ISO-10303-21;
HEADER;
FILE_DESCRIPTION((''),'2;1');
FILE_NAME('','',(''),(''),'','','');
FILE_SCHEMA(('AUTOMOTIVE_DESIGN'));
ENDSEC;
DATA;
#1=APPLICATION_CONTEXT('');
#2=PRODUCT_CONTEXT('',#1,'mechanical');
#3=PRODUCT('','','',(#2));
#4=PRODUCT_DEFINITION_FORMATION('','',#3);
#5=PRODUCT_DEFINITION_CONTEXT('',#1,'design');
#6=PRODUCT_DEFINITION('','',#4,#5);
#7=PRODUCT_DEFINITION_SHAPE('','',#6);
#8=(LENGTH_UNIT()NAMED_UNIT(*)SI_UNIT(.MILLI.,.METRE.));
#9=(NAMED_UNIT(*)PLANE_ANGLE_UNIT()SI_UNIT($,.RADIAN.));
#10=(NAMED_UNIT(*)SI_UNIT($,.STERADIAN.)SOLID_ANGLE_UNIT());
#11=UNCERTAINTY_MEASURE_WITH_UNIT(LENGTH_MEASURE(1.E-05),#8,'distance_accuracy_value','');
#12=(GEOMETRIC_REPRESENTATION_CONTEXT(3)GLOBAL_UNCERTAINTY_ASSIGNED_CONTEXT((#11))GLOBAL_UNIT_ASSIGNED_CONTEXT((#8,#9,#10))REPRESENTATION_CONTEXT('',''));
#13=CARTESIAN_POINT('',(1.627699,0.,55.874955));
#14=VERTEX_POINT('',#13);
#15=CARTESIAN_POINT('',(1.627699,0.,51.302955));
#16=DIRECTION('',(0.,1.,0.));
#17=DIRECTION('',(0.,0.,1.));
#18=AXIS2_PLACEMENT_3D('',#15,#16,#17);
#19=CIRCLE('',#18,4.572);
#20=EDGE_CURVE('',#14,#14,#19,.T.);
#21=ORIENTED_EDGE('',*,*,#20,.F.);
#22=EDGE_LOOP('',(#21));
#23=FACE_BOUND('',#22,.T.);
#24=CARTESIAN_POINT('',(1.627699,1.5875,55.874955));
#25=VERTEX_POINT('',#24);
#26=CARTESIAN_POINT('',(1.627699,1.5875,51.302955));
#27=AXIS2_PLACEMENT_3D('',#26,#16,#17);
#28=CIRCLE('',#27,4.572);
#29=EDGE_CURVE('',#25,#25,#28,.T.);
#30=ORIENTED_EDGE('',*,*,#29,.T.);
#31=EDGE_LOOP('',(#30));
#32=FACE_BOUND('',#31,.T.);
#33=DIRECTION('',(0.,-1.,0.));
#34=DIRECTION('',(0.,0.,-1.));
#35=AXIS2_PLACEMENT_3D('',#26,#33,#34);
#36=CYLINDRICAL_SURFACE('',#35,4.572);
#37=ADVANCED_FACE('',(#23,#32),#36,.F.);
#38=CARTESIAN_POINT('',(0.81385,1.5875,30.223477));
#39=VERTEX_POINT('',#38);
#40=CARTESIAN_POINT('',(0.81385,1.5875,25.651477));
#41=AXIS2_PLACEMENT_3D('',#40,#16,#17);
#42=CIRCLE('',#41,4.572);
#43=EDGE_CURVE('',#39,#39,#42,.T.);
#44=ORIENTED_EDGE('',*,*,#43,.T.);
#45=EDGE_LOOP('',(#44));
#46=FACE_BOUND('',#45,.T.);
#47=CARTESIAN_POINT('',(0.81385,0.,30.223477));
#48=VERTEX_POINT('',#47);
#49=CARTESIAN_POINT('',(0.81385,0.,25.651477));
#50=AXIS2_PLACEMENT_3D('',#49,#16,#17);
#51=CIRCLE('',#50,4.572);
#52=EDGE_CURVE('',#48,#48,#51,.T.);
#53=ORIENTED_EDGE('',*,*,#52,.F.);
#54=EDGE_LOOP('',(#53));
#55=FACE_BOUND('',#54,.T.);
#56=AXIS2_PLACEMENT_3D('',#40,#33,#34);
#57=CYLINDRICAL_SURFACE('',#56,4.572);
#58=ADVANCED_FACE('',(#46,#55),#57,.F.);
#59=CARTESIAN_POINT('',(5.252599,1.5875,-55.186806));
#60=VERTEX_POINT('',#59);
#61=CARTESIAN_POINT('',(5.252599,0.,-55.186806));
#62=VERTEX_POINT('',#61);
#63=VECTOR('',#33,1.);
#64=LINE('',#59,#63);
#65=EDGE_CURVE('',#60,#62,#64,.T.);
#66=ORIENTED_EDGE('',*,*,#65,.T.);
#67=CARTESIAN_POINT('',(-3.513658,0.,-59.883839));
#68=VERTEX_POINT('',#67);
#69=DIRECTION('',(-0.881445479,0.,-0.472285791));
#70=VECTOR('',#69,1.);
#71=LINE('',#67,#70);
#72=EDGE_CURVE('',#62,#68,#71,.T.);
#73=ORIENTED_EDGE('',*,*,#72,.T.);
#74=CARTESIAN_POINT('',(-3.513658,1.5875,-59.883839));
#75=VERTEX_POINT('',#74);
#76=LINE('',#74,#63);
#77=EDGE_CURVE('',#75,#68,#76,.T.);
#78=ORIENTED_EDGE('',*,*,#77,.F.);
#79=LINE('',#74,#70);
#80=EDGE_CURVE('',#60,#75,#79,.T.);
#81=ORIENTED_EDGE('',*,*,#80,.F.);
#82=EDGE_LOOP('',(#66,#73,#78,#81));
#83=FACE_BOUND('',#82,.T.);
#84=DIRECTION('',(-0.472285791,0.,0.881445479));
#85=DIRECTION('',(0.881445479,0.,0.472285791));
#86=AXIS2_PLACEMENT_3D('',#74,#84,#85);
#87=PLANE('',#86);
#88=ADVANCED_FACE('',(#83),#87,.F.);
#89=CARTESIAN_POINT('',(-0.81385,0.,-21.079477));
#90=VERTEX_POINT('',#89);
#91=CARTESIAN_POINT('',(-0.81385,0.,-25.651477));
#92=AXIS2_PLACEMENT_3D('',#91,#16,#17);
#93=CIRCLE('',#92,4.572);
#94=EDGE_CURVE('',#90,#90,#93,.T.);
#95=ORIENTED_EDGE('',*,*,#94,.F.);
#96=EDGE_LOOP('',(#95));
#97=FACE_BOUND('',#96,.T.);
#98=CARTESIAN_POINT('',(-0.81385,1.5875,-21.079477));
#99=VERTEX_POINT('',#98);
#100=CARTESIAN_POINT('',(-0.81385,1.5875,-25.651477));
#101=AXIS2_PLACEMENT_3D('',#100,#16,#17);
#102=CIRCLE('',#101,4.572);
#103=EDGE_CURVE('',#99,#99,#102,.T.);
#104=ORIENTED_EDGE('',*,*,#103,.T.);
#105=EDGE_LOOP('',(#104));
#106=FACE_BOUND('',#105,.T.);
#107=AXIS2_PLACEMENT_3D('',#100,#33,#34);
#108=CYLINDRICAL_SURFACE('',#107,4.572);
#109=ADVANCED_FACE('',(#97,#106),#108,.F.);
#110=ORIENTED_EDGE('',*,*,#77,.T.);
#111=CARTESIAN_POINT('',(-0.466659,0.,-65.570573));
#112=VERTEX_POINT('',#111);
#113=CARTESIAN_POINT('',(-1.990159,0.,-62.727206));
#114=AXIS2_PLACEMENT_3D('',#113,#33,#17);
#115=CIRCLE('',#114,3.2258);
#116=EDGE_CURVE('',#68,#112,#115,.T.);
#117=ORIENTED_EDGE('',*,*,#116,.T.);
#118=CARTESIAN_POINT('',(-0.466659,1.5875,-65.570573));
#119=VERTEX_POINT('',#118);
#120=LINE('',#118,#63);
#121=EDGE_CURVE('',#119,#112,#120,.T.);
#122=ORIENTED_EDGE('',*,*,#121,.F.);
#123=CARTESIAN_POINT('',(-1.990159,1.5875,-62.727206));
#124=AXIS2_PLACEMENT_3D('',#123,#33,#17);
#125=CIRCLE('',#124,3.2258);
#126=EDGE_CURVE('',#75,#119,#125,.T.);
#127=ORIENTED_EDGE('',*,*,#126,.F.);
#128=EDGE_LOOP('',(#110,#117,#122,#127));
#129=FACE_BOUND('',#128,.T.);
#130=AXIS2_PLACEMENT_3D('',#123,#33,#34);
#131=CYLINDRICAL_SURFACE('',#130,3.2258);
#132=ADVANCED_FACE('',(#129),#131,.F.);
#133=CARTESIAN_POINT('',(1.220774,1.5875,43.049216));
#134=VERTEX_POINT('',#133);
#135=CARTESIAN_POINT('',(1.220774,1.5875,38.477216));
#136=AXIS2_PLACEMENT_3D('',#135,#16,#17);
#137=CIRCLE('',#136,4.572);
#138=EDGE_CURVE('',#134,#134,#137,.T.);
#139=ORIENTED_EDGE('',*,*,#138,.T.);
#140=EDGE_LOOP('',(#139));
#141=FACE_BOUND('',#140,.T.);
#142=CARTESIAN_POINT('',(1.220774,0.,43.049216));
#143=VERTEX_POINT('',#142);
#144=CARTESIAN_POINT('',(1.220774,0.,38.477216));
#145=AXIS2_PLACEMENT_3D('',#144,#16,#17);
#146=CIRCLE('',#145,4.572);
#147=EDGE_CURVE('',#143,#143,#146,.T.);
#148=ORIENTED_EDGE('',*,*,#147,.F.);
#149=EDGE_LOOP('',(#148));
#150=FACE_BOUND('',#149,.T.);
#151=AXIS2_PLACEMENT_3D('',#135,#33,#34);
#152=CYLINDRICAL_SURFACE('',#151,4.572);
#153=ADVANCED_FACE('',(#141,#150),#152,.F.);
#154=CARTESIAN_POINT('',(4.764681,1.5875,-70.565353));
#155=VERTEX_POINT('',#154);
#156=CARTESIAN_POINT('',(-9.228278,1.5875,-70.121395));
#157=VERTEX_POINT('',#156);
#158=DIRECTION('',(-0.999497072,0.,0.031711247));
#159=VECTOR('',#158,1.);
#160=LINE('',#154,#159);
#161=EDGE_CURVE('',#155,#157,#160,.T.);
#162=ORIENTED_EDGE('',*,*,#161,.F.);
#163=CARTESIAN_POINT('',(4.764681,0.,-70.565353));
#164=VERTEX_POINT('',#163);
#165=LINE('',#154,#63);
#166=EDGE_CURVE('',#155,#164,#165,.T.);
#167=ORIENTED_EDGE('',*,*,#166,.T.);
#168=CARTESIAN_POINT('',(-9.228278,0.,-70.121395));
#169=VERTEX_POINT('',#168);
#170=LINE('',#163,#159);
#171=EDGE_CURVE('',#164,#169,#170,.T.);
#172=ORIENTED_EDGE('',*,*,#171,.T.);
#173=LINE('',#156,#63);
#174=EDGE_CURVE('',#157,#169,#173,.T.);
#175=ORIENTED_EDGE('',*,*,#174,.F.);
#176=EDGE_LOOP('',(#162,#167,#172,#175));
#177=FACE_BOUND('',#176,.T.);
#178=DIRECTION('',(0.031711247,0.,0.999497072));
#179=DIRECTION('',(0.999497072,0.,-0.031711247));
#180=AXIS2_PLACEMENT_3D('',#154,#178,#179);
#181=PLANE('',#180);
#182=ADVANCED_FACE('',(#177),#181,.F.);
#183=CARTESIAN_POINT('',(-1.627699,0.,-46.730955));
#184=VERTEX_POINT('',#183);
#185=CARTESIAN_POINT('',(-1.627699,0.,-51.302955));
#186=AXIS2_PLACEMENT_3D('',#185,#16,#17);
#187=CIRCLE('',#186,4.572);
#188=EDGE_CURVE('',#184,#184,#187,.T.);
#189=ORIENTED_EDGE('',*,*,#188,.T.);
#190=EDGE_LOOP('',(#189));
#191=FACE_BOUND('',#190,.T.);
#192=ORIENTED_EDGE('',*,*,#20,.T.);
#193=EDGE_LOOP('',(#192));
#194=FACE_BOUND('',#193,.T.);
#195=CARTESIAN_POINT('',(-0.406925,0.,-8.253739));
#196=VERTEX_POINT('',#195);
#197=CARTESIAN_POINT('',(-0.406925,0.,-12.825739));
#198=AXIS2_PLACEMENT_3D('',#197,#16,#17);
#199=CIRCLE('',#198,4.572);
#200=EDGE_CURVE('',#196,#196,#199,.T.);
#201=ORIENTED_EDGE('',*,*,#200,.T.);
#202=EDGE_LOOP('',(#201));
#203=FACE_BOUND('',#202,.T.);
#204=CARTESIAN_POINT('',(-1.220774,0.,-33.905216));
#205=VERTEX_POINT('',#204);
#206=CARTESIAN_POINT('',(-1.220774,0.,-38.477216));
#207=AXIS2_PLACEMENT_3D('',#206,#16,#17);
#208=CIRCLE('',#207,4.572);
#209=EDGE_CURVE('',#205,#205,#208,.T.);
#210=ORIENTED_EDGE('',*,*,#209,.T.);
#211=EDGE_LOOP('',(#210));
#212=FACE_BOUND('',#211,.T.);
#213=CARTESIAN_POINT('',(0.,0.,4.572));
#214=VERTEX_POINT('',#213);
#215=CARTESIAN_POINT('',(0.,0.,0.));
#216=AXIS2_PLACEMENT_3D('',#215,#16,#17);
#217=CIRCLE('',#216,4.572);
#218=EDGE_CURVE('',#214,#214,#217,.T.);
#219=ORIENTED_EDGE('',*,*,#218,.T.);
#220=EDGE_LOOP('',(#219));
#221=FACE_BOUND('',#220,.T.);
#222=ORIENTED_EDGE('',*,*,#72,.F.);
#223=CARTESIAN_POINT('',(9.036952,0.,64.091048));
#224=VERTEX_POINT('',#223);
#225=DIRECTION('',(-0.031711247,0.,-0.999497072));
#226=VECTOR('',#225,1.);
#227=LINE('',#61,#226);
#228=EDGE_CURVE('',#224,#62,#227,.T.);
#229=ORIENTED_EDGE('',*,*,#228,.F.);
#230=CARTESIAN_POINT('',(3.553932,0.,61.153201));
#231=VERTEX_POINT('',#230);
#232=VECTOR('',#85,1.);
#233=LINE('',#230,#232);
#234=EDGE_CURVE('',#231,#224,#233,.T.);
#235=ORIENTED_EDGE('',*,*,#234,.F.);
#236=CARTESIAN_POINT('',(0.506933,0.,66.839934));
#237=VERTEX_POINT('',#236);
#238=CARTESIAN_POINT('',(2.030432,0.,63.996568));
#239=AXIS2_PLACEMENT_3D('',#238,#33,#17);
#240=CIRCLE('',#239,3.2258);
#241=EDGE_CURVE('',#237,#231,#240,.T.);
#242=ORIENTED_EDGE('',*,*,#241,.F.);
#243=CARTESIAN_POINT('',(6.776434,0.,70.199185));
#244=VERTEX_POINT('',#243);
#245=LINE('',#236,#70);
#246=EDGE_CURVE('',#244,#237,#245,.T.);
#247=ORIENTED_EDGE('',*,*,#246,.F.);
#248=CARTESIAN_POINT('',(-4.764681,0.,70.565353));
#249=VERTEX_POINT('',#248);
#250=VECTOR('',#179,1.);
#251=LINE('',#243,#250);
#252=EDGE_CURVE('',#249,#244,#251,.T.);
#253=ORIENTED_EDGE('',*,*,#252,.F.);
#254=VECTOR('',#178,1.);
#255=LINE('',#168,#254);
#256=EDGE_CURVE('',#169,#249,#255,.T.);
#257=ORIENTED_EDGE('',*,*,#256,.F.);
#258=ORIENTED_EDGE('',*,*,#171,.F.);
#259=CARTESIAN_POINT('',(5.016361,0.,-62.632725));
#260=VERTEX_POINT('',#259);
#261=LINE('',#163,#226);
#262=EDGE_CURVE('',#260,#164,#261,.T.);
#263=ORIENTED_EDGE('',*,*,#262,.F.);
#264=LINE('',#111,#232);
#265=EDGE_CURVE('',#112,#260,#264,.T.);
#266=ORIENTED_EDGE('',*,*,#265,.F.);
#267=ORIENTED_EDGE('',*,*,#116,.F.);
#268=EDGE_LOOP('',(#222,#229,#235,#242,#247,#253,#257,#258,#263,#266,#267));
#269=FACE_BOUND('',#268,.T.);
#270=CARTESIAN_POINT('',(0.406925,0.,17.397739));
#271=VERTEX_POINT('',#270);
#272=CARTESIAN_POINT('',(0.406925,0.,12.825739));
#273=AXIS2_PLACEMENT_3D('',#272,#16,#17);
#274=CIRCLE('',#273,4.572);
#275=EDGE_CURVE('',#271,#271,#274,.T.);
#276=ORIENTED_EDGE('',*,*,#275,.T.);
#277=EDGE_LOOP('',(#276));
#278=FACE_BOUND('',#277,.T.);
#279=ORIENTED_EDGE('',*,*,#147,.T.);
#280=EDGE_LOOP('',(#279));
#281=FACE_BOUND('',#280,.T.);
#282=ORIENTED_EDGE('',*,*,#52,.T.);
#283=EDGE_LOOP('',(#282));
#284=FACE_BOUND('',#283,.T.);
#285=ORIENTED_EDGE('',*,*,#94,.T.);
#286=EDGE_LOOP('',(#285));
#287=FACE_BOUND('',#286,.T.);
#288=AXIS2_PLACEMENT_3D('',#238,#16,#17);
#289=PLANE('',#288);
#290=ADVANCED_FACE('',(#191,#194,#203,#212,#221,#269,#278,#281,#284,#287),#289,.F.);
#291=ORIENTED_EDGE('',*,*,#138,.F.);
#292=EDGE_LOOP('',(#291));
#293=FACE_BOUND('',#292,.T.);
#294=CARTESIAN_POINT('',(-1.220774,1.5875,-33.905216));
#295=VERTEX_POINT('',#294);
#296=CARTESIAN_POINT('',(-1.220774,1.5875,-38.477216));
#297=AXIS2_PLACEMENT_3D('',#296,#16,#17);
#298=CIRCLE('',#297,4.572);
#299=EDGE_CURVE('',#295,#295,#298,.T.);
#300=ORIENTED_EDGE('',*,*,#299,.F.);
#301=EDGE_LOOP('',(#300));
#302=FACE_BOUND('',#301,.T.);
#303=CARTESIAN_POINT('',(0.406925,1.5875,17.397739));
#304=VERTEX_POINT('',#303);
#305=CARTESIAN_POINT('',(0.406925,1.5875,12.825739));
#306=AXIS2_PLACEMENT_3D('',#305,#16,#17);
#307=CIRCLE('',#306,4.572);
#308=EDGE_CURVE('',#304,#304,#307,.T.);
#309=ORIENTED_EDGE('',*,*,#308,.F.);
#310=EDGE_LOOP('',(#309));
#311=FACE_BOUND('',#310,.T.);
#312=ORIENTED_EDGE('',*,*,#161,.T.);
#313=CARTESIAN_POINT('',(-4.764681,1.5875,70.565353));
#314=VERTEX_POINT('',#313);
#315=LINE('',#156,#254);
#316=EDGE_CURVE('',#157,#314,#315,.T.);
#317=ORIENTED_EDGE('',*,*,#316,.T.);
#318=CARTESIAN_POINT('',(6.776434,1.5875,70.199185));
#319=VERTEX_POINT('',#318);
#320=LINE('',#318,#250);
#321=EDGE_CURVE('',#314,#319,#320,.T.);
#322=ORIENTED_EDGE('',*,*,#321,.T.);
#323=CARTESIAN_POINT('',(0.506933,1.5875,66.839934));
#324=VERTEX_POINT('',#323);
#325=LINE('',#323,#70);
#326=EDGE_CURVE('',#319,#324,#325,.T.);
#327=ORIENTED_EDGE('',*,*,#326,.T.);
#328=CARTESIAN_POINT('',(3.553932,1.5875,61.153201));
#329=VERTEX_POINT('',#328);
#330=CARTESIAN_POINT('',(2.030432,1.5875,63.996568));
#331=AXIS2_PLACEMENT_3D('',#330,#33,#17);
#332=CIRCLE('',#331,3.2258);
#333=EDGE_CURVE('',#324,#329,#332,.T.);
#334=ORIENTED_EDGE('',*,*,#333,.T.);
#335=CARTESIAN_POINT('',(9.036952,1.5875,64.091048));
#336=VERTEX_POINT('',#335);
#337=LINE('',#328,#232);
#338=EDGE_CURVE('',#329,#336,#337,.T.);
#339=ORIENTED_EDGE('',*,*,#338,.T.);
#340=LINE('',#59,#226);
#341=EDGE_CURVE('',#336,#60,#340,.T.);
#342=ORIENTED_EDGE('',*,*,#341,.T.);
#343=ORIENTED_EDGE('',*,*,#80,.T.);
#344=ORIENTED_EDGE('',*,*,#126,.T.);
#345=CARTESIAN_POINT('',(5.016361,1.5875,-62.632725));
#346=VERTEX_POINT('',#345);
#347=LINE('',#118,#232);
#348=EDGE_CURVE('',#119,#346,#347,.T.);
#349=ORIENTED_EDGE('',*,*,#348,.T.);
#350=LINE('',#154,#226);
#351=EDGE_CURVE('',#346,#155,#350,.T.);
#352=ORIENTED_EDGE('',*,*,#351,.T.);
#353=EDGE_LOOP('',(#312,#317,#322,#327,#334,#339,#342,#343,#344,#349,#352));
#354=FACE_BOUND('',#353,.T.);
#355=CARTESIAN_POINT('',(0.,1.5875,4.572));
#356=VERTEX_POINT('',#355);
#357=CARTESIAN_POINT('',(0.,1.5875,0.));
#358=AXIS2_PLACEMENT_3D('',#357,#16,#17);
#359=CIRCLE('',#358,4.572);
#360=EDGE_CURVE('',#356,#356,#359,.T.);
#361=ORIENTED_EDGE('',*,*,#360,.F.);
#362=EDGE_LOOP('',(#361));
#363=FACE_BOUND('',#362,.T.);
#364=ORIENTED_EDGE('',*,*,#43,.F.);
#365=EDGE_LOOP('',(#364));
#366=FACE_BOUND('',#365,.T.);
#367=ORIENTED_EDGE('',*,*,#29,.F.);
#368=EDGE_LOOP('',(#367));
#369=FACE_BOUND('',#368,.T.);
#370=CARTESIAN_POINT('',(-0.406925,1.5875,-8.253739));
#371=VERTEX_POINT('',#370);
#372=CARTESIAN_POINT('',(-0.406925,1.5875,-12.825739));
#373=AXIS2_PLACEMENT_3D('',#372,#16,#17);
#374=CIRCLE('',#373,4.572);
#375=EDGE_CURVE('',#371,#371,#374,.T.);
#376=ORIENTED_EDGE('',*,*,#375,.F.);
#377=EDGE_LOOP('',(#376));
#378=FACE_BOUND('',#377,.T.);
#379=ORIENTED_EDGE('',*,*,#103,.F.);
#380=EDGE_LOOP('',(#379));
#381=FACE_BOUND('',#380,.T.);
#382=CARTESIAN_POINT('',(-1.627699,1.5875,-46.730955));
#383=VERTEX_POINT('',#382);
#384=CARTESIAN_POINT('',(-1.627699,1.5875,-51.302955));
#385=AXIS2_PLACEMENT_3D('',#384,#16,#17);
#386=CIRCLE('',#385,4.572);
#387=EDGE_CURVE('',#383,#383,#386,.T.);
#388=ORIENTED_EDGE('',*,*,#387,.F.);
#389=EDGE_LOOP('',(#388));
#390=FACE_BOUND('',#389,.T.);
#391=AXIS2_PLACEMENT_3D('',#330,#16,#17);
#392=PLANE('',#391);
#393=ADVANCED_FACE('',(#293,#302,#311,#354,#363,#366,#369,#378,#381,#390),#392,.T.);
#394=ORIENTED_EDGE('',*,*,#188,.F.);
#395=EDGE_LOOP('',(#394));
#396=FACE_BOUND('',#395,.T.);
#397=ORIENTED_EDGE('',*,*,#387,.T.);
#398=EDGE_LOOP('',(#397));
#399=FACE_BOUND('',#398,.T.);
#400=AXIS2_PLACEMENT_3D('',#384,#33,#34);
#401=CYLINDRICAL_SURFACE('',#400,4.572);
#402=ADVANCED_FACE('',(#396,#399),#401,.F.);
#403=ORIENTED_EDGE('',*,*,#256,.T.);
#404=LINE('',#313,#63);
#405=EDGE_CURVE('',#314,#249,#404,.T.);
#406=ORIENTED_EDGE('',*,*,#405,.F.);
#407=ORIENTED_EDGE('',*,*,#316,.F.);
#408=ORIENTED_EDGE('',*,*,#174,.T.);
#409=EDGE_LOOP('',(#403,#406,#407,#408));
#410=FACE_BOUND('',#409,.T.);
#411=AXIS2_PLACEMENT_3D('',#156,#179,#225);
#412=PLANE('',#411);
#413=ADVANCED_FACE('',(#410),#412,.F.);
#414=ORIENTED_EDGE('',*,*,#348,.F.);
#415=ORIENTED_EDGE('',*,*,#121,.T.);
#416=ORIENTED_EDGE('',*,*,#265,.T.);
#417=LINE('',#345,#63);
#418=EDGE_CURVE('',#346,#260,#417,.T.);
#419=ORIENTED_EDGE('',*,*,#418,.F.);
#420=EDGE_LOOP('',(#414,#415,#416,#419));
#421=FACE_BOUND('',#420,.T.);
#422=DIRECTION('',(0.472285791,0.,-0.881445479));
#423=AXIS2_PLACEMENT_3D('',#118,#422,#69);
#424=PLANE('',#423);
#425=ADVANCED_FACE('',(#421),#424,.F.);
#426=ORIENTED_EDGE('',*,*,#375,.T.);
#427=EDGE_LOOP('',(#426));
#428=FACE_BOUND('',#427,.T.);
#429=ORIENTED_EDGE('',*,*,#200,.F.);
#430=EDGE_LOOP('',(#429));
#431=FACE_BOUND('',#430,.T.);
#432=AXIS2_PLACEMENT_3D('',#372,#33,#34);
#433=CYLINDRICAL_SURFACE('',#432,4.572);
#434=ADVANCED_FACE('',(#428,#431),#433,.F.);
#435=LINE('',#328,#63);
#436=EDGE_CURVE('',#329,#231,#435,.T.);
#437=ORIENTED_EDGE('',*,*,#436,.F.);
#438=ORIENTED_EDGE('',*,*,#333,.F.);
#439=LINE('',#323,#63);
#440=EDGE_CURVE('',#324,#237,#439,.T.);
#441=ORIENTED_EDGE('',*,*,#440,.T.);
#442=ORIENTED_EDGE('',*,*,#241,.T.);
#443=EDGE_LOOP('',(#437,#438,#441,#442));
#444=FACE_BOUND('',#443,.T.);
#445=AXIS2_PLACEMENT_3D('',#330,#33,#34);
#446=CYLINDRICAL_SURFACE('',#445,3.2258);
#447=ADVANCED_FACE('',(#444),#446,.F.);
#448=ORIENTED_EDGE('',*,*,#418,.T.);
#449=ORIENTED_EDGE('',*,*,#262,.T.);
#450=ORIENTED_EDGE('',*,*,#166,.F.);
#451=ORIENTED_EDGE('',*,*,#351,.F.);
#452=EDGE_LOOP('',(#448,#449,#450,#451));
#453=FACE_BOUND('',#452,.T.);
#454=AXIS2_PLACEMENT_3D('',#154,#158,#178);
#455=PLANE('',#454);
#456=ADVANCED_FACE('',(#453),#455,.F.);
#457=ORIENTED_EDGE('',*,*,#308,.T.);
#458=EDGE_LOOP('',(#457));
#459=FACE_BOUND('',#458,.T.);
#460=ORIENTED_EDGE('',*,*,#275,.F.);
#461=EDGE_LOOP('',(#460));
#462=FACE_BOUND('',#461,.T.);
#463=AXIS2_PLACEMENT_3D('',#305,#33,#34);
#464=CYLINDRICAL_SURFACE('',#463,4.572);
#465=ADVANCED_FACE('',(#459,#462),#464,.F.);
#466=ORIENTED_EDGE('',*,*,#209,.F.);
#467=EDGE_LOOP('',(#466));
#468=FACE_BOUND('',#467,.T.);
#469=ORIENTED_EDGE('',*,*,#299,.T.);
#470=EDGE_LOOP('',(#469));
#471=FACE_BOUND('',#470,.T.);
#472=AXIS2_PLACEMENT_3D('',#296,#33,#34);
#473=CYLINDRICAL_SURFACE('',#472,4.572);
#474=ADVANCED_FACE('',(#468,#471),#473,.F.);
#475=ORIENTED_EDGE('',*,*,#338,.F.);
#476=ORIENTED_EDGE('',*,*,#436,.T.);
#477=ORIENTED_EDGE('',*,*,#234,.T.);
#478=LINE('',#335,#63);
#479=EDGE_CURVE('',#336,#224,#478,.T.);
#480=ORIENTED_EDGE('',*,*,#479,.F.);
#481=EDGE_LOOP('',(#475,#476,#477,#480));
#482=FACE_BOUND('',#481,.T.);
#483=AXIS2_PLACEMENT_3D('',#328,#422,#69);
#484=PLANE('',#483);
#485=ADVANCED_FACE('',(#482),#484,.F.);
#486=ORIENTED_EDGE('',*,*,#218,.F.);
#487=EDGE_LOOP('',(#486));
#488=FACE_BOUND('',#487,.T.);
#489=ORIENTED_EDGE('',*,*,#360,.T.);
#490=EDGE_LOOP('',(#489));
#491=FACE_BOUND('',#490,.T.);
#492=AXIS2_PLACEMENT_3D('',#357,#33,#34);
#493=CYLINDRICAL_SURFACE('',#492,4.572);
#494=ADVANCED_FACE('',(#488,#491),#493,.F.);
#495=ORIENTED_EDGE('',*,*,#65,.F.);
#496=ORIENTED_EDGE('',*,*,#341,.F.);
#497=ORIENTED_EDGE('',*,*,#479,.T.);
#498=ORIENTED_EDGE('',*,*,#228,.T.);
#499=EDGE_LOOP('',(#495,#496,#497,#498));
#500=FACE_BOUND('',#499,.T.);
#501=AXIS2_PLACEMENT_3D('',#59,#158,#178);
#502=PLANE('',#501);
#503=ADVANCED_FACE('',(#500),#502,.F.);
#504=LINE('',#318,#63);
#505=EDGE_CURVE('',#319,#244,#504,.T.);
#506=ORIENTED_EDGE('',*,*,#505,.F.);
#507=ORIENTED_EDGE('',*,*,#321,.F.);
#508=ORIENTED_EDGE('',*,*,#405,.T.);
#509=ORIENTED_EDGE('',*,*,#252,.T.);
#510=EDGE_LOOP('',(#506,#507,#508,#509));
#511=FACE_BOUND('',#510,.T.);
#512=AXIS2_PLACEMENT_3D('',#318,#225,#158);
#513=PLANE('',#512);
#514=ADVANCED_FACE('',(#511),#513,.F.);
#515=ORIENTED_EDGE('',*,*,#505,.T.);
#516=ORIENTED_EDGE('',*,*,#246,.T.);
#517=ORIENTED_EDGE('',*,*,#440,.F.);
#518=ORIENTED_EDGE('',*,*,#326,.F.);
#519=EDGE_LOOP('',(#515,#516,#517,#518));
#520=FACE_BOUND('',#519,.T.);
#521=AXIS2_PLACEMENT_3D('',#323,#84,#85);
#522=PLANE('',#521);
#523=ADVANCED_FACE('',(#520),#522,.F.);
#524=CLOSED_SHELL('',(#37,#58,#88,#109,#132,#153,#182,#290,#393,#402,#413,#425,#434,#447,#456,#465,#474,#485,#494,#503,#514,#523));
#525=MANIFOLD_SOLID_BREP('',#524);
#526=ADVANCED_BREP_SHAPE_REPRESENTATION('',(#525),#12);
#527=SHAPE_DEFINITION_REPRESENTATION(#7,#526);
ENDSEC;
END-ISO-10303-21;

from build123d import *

# Parameters (mm, degrees)
SKETCH1_R           = 4.572
BOSS_EXTRUDE1_DEPTH = 1.5875


with BuildPart() as part:
    # Sketch1 → Boss-Extrude1 (new body)
    with BuildSketch(Plane(origin=(0, 0, 0), x_dir=(1, 0, 0), z_dir=(0, 1, 0))):
        with BuildLine():
            Line((6.776434369, -70.199185368), (-4.764680988, -70.565352679))
            Line((-4.764680988, -70.565352679), (-9.22827802, 70.121395226))
            Line((-9.22827802, 70.121395226), (4.764680988, 70.565352679))
            Line((4.764680988, 70.565352679), (5.016361067, 62.63272534))
            Line((5.016361067, 62.63272534), (-0.466659313, 65.570573089))
            ThreePointArc((-0.466659313, 65.570573089), (-4.833525642, 64.250705768), (-3.51365832, 59.883839439))
            Line((-3.51365832, 59.883839439), (5.252599263, 55.186805992))
            Line((5.252599263, 55.186805992), (9.036951983, -64.09104847))
            Line((9.036951983, -64.09104847), (3.553931604, -61.153200721))
            ThreePointArc((3.553931604, -61.153200721), (-0.812934725, -62.473068042), (0.506932596, -66.839934371))
            Line((0.506932596, -66.839934371), (6.776434369, -70.199185368))
        make_face()
        with Locations(Location((-1.627699267, 51.302954732, 0), (0, 0, 270))):
            Circle(SKETCH1_R, mode=Mode.SUBTRACT)
        with Locations(Location((-1.22077445, 38.477216049, 0), (0, 0, 270))):
            Circle(SKETCH1_R, mode=Mode.SUBTRACT)
        with Locations(Location((-0.813849634, 25.651477366, 0), (0, 0, 270))):
            Circle(SKETCH1_R, mode=Mode.SUBTRACT)
        with Locations(Location((-0.406924817, 12.825738683, 0), (0, 0, 270))):
            Circle(SKETCH1_R, mode=Mode.SUBTRACT)
        with Locations(Location((0, 0, 0), (0, 0, 270))):
            Circle(SKETCH1_R, mode=Mode.SUBTRACT)
        with Locations(Location((0.406924817, -12.825738683, 0), (0, 0, 270))):
            Circle(SKETCH1_R, mode=Mode.SUBTRACT)
        with Locations(Location((0.813849634, -25.651477366, 0), (0, 0, 270))):
            Circle(SKETCH1_R, mode=Mode.SUBTRACT)
        with Locations(Location((1.22077445, -38.477216049, 0), (0, 0, 270))):
            Circle(SKETCH1_R, mode=Mode.SUBTRACT)
        with Locations(Location((1.627699267, -51.302954732, 0), (0, 0, 270))):
            Circle(SKETCH1_R, mode=Mode.SUBTRACT)
    extrude(amount=BOSS_EXTRUDE1_DEPTH)


solid = part.part
